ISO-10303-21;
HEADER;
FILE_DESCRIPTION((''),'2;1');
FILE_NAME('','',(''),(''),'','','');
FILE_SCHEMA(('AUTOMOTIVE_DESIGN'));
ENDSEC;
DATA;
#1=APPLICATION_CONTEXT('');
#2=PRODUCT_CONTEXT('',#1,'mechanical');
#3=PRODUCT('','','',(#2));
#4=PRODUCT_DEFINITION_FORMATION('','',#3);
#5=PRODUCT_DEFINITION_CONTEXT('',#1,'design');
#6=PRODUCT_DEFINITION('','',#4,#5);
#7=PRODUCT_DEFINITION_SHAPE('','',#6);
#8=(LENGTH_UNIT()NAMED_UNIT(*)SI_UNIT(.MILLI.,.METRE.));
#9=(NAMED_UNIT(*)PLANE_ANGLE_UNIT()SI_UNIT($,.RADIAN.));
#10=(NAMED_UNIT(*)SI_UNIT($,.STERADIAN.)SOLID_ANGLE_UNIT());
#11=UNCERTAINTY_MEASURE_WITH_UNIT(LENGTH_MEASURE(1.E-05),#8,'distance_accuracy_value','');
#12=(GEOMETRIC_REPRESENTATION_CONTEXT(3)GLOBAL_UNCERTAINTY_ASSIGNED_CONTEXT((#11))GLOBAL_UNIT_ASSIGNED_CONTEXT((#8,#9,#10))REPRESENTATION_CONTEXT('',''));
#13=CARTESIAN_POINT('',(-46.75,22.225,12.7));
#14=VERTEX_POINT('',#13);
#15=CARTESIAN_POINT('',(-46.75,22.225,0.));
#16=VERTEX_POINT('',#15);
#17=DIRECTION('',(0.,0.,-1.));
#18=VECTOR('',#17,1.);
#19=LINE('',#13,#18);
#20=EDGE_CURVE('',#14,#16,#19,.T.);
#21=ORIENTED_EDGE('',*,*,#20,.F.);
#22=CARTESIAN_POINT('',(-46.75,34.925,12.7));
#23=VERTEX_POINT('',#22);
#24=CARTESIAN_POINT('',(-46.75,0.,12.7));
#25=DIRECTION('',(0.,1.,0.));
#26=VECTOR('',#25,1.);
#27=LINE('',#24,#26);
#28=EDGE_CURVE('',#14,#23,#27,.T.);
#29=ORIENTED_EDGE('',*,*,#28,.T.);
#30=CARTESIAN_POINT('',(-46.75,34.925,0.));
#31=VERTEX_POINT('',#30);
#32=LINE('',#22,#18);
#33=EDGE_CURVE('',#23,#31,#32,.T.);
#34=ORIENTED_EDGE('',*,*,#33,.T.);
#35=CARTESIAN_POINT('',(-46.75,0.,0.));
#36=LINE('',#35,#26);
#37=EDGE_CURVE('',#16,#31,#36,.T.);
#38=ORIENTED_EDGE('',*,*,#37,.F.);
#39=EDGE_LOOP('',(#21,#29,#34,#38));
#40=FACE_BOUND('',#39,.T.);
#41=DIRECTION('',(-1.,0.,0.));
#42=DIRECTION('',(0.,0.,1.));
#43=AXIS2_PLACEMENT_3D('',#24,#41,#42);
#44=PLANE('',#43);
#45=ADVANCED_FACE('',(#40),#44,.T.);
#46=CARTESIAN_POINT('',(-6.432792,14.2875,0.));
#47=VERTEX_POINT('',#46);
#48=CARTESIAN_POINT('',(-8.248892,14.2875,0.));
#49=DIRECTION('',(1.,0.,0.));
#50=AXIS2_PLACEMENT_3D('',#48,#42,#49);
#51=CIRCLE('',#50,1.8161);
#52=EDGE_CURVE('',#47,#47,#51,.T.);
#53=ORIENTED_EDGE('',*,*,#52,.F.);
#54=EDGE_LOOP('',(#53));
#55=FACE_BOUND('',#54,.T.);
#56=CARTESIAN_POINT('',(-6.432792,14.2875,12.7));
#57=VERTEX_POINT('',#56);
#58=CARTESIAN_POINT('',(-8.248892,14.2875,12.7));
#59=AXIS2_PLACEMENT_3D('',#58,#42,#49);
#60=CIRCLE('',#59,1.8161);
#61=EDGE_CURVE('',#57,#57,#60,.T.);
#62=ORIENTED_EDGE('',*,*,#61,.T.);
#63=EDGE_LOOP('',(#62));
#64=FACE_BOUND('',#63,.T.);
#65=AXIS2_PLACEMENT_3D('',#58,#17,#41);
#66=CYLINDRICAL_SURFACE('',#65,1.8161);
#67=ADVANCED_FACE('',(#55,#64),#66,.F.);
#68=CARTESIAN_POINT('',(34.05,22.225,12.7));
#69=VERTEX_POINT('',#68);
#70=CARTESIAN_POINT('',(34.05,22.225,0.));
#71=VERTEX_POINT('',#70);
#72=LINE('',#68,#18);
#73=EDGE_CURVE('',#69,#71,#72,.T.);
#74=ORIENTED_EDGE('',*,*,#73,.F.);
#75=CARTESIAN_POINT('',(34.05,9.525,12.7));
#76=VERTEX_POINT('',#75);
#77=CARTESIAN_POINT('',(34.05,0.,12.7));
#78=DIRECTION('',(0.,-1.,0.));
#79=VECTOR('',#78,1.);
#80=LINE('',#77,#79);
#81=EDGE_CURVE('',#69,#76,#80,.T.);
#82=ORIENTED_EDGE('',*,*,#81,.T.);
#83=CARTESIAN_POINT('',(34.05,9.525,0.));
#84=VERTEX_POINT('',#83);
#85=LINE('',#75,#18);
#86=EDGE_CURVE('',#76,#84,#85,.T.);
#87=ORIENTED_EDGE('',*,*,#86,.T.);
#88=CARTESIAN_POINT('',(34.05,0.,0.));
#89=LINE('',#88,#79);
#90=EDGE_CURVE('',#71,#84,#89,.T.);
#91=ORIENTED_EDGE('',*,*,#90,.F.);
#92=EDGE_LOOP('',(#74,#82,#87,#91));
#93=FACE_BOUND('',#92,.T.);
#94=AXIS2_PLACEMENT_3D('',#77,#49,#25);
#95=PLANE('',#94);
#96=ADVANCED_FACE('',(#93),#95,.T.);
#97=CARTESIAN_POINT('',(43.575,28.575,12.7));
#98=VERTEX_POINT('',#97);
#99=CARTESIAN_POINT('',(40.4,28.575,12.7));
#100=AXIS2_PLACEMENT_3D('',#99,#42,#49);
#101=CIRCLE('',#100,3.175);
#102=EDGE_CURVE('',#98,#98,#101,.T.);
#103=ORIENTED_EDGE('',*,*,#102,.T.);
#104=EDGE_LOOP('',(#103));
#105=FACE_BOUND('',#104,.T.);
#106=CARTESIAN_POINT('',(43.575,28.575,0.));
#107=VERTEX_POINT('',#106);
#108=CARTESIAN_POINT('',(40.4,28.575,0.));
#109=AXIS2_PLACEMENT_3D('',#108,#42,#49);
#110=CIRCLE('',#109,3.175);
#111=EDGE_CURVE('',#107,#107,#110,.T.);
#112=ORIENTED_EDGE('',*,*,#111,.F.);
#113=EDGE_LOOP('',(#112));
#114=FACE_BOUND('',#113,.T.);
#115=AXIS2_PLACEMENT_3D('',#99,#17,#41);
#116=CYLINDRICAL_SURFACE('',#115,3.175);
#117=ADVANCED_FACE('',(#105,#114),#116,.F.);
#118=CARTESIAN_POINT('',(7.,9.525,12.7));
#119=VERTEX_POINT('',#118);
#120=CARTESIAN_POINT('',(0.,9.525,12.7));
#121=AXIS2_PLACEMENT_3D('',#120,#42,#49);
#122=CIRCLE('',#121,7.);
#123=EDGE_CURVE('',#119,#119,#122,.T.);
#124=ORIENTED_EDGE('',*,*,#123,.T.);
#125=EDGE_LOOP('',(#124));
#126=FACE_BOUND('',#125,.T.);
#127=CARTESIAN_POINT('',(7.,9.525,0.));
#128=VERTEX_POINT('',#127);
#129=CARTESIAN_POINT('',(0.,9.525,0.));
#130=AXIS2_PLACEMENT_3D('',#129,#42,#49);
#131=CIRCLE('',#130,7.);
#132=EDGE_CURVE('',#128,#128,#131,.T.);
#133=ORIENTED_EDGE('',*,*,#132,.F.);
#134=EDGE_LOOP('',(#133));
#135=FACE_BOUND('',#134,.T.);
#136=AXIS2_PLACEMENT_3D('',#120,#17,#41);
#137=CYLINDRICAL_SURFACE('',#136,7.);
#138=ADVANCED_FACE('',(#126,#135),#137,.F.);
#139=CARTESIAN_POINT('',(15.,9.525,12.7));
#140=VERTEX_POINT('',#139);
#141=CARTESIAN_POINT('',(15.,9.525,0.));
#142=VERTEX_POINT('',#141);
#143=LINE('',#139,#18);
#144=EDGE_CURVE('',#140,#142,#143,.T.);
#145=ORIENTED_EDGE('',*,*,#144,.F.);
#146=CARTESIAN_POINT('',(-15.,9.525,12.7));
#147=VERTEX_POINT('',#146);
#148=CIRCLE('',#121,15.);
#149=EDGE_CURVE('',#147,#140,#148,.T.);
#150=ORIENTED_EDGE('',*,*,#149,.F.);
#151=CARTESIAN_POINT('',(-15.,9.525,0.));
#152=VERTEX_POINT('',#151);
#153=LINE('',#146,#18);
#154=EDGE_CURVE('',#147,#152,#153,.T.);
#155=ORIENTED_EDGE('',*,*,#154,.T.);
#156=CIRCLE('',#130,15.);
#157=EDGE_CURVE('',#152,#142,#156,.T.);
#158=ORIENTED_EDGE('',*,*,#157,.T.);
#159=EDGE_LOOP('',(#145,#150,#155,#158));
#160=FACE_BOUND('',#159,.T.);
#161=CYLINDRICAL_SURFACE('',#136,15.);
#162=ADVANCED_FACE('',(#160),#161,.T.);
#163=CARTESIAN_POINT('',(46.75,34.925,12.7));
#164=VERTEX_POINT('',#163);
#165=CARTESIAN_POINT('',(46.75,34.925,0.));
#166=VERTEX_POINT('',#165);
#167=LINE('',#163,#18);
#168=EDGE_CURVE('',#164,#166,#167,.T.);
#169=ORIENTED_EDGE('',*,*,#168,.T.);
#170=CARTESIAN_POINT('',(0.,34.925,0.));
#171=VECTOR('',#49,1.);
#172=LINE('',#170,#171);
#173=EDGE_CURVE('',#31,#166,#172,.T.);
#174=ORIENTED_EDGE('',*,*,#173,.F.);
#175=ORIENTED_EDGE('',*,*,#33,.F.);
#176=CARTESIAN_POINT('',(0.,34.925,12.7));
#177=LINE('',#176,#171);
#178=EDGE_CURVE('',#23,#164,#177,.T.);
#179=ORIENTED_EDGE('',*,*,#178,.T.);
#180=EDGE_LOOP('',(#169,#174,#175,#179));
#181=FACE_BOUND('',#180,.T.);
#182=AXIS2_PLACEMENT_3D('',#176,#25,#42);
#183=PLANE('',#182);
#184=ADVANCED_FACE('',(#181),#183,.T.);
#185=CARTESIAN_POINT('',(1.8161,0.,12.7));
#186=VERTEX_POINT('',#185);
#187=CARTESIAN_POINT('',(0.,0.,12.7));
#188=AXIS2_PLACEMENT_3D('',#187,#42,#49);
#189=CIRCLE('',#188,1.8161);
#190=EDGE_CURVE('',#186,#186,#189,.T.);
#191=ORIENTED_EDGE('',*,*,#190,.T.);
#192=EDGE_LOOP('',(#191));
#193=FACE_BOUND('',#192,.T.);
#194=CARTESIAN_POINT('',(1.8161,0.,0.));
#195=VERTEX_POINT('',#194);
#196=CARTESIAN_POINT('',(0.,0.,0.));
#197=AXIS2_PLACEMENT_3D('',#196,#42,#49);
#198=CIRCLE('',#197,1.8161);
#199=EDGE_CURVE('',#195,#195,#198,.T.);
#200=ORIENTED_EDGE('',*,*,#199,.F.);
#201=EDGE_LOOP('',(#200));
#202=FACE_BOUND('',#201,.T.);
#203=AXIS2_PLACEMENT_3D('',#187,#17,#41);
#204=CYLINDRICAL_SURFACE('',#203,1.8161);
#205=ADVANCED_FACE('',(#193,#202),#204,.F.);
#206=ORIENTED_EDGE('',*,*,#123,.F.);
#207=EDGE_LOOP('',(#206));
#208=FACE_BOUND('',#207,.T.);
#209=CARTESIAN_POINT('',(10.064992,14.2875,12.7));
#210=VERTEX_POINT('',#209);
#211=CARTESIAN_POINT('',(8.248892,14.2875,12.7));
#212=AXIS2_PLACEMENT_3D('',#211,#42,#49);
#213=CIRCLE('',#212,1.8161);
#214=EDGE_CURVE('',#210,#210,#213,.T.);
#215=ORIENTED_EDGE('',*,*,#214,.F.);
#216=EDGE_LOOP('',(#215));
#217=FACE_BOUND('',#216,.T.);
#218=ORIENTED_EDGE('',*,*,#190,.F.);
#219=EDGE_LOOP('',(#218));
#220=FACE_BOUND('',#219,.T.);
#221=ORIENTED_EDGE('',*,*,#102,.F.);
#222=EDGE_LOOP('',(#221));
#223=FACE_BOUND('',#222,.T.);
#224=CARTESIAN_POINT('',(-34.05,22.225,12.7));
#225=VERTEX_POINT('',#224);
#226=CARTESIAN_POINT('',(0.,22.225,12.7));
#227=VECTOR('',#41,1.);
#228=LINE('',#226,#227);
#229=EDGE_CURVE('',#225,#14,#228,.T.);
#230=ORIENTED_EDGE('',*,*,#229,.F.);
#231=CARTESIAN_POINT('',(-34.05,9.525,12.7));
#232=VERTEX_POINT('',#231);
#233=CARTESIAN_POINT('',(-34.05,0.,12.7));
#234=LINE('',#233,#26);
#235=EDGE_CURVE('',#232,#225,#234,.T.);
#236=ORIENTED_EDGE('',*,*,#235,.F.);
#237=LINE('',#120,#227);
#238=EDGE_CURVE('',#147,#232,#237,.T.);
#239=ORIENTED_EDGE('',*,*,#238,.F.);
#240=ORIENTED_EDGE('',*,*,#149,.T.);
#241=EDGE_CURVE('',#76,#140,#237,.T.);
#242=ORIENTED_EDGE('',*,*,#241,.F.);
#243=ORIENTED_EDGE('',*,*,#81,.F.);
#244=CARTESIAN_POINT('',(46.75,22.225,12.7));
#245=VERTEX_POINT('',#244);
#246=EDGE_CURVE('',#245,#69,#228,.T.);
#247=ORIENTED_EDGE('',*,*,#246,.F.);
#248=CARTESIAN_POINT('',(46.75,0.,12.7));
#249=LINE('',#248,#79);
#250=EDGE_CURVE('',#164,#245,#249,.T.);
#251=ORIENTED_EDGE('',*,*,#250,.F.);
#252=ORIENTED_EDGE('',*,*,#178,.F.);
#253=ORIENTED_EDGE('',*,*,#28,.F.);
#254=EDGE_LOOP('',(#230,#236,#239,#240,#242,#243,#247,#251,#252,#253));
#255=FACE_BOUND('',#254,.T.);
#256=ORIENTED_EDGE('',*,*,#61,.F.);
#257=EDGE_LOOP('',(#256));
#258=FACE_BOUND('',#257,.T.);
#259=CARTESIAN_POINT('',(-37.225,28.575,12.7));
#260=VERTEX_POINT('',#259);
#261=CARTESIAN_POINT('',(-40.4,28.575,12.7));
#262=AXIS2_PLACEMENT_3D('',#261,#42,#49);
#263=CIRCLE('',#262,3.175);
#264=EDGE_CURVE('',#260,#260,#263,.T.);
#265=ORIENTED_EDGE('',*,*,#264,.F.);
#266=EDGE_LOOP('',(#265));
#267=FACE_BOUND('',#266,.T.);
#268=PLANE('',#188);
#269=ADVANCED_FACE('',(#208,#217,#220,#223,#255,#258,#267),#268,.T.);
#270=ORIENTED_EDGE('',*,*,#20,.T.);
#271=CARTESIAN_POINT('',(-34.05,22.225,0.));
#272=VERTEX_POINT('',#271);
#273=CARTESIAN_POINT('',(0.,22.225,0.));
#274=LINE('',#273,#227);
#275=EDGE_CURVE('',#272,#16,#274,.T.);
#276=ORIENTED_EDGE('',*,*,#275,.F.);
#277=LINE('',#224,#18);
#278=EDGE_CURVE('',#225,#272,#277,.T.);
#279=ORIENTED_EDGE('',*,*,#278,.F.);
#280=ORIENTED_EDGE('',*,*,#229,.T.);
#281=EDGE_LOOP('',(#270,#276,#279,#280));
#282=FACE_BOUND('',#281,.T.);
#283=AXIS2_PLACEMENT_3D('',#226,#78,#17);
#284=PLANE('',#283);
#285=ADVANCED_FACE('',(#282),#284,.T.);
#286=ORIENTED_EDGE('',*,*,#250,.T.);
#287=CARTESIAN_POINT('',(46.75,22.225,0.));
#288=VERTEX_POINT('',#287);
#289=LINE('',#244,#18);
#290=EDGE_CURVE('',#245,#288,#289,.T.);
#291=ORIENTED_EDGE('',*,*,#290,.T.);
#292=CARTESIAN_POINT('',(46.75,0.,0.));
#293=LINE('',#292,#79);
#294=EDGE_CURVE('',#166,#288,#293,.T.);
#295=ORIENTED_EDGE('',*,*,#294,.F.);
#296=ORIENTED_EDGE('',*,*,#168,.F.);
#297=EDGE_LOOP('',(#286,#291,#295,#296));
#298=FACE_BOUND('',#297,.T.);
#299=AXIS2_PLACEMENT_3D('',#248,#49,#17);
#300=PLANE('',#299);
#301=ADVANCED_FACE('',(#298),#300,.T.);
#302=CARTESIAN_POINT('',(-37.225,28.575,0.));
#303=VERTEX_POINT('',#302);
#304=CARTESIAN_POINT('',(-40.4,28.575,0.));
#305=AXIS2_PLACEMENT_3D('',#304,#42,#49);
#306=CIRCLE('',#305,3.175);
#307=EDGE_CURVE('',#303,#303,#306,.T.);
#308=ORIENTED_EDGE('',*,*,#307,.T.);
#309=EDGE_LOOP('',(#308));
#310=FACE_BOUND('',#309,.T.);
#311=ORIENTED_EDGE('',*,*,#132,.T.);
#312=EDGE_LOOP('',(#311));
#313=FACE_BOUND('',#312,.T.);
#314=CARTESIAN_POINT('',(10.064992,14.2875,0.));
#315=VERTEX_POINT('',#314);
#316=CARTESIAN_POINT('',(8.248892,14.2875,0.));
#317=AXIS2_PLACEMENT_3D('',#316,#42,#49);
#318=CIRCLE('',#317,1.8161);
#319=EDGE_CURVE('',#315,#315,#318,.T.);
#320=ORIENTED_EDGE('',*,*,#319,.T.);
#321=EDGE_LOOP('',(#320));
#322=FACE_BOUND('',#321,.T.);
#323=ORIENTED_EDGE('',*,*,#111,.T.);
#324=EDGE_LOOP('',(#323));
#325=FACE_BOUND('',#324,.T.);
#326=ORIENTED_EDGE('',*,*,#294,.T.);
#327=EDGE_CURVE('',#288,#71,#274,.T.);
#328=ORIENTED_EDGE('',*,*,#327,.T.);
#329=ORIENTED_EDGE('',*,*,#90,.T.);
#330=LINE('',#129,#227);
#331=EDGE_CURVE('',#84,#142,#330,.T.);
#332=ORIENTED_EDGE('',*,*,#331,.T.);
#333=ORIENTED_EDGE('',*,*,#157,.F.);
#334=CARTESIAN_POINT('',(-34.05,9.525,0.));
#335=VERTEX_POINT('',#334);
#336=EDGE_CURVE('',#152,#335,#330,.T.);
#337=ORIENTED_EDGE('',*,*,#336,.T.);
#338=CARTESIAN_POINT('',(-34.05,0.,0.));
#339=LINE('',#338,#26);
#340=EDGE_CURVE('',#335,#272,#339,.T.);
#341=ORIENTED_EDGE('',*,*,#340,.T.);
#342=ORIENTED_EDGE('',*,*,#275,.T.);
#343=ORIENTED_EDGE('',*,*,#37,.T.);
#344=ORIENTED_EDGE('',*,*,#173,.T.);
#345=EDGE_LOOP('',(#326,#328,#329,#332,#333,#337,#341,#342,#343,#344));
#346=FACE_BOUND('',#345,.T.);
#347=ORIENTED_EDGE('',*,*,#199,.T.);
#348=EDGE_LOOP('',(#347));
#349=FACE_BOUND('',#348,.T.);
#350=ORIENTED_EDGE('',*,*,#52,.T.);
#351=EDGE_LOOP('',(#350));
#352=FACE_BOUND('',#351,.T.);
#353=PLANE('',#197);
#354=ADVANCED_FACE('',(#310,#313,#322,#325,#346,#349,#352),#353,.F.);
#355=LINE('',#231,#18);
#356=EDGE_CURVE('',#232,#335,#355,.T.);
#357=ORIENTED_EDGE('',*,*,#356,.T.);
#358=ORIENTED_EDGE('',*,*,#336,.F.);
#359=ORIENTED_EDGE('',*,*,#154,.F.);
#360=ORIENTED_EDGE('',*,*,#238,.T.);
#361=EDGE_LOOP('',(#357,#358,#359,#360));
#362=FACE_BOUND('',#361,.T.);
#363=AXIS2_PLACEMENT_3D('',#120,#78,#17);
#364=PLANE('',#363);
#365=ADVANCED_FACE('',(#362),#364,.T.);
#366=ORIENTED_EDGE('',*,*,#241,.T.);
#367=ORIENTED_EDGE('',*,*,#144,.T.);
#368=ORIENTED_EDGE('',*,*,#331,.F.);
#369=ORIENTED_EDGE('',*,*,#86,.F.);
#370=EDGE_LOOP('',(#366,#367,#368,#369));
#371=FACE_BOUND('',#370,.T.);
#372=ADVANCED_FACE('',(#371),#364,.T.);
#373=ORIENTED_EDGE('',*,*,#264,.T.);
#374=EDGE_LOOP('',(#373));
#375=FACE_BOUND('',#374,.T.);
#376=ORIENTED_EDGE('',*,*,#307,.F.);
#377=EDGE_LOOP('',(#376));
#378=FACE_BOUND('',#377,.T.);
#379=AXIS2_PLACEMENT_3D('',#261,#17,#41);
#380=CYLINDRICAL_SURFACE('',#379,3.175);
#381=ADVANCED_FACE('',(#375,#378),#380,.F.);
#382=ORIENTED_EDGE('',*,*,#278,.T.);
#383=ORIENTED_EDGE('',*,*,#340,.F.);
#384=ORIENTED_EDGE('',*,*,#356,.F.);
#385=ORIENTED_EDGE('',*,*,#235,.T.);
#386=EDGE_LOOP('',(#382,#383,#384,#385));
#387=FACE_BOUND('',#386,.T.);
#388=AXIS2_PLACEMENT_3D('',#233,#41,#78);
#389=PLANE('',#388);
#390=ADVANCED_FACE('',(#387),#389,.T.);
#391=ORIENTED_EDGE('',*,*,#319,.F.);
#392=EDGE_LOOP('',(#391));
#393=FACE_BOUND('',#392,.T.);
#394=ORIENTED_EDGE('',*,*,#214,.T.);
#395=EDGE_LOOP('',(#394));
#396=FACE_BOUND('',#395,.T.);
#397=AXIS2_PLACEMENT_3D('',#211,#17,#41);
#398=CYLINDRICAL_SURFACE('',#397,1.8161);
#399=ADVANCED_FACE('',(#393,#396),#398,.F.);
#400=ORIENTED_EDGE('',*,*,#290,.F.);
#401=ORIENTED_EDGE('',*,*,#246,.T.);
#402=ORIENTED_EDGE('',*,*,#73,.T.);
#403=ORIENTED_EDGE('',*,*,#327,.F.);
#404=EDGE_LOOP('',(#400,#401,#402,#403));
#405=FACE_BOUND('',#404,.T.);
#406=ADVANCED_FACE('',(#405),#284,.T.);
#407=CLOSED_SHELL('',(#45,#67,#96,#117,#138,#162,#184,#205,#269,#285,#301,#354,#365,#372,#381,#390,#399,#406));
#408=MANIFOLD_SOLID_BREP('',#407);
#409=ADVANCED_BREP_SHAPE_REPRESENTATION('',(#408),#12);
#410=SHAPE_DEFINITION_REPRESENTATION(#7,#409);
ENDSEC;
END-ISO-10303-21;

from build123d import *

# Parameters (mm, degrees)
SKETCH1_R           = 3.175
SKETCH1_R_2         = 1.8161
SKETCH1_R_3         = 7
BOSS_EXTRUDE1_DEPTH = 12.7


with BuildPart() as part:
    # Sketch1 → Boss-Extrude1 (new body)
    with BuildSketch(Plane.XY):
        with BuildLine():
            Line((-34.05, 9.525), (-15, 9.525))
            ThreePointArc((-15, 9.525), (0, -5.475), (15, 9.525))
            Line((15, 9.525), (34.05, 9.525))
            Line((34.05, 9.525), (34.05, 22.225))
            Line((34.05, 22.225), (46.75, 22.225))
            Line((46.75, 22.225), (46.75, 34.925))
            Line((46.75, 34.925), (-46.75, 34.925))
            Line((-46.75, 34.925), (-46.75, 22.225))
            Line((-46.75, 22.225), (-34.05, 22.225))
            Line((-34.05, 22.225), (-34.05, 9.525))
        make_face()
        with Locations((-40.4, 28.575)):
            Circle(SKETCH1_R, mode=Mode.SUBTRACT)
        with Locations((40.4, 28.575)):
            Circle(SKETCH1_R, mode=Mode.SUBTRACT)
        with Locations((8.248891971, 14.2875)):
            Circle(SKETCH1_R_2, mode=Mode.SUBTRACT)
        with Locations((-8.248891971, 14.2875)):
            Circle(SKETCH1_R_2, mode=Mode.SUBTRACT)
        Circle(SKETCH1_R_2, mode=Mode.SUBTRACT)
        with Locations((0, 9.525)):
            Circle(SKETCH1_R_3, mode=Mode.SUBTRACT)
    extrude(amount=BOSS_EXTRUDE1_DEPTH)


solid = part.part
